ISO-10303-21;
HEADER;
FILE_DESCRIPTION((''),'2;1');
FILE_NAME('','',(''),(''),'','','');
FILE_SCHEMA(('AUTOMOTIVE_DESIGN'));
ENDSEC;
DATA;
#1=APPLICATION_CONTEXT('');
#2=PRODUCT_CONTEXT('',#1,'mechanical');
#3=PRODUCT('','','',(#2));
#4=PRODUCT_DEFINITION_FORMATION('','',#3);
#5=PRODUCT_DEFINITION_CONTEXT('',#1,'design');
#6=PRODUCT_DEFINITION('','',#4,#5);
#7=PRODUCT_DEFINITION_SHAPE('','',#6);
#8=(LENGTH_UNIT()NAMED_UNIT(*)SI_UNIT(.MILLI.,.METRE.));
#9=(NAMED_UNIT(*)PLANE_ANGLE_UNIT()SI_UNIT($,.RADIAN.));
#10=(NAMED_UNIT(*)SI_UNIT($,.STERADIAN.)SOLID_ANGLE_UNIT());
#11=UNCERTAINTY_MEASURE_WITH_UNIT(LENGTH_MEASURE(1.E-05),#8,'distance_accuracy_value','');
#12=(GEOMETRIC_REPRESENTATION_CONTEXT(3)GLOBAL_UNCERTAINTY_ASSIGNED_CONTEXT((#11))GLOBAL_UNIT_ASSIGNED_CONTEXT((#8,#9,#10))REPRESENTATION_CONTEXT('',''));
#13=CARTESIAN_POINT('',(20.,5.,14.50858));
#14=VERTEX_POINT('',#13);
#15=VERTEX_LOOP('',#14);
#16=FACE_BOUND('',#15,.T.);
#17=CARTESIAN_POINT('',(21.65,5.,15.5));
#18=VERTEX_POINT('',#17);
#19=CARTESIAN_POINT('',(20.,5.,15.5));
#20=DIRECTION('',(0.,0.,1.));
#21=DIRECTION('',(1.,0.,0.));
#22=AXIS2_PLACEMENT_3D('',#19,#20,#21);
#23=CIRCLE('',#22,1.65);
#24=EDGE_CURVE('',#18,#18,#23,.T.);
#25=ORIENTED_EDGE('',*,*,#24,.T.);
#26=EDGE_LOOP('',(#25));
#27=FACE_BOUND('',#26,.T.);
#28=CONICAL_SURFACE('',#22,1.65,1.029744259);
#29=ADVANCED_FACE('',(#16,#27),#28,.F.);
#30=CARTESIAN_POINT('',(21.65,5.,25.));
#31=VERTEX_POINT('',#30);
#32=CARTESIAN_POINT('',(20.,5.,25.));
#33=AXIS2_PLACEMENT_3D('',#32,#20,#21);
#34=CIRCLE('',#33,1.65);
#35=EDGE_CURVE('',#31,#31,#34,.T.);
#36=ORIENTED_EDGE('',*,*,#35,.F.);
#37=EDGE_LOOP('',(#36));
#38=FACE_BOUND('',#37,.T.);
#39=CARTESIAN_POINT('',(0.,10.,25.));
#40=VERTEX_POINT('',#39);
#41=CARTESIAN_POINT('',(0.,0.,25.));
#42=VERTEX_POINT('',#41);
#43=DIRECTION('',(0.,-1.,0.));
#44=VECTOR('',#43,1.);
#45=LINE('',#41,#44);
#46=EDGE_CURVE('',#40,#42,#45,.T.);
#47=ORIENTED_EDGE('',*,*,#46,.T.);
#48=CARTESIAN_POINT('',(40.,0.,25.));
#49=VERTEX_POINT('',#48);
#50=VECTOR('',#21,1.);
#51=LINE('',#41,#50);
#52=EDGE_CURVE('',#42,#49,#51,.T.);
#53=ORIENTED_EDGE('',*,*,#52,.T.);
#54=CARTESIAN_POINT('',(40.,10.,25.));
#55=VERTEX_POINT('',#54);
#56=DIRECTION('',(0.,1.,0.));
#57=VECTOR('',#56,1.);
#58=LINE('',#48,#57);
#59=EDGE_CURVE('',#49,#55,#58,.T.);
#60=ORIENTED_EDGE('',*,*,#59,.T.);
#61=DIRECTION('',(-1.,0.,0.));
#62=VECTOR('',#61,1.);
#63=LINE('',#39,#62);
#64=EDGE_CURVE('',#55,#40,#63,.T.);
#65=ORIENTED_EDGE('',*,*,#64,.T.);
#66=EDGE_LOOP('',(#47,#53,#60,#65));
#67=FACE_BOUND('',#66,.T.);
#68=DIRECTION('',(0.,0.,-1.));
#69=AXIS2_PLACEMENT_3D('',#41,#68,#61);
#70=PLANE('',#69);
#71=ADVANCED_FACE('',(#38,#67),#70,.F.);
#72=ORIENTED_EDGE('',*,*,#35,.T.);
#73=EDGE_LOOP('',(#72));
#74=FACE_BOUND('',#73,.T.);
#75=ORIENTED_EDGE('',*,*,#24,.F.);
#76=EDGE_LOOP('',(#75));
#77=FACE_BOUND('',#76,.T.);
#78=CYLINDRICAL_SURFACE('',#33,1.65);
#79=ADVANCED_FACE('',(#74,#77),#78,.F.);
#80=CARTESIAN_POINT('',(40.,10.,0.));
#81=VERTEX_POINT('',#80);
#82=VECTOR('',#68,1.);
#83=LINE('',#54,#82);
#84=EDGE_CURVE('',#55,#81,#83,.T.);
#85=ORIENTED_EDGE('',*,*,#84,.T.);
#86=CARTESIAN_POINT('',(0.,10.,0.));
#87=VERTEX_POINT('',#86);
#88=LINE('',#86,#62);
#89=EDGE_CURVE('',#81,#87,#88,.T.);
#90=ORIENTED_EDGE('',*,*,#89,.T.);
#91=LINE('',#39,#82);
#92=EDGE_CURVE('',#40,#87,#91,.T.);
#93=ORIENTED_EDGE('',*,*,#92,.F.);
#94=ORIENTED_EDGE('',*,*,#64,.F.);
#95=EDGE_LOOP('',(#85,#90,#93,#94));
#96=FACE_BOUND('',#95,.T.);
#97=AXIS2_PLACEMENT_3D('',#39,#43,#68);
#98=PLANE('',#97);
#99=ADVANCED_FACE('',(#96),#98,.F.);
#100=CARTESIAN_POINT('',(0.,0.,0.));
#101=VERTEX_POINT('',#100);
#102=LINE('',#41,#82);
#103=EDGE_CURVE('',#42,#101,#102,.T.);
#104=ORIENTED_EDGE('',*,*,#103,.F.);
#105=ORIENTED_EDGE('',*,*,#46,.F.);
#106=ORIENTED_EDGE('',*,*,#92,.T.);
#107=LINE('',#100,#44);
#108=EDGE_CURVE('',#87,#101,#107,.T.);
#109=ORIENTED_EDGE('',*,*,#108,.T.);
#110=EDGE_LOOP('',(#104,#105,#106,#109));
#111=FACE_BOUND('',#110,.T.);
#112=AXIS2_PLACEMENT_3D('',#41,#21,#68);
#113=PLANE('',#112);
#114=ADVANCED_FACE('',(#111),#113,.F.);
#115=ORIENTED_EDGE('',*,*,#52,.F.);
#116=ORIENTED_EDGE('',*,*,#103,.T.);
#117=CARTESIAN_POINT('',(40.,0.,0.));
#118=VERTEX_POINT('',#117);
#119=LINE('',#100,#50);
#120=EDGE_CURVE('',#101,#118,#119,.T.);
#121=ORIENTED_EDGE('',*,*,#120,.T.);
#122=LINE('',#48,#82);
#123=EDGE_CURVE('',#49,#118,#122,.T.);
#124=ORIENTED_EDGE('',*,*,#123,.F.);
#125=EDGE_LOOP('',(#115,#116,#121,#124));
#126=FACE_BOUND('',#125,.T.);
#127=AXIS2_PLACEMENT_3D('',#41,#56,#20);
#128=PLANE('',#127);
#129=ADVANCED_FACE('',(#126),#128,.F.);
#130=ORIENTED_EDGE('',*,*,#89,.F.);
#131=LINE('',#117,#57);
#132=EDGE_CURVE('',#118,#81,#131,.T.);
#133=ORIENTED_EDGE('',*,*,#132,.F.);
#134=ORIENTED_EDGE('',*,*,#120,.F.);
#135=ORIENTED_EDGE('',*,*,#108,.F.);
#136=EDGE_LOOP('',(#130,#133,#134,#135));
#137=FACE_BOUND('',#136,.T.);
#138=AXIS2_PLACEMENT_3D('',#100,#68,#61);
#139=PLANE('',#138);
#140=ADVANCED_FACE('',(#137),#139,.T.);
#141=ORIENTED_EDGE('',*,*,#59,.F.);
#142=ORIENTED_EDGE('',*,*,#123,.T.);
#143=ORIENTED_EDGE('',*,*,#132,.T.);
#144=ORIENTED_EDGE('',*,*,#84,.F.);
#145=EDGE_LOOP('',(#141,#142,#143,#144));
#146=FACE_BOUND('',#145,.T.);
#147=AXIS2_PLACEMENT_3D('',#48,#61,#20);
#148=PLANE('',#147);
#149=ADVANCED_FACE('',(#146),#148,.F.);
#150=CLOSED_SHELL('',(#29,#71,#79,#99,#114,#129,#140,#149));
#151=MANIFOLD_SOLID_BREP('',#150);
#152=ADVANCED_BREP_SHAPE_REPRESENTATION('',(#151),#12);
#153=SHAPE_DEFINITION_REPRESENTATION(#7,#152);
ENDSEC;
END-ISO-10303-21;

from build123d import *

# Parameters (mm, degrees)
SKETCH1_W             = 40
SKETCH1_H             = 10
BOSS_EXTRUDE1_DEPTH   = 25
M4_TAPPED_HOLE1_D     = 3.3
M4_TAPPED_HOLE1_DEPTH = 9.5
M4_TAPPED_HOLE1_TIP   = 0.991420021


with BuildPart() as part:
    # Sketch1 → Boss-Extrude1 (new body)
    with BuildSketch(Plane.XY):
        with Locations((20, 5)):
            Rectangle(SKETCH1_W, SKETCH1_H)
    extrude(amount=BOSS_EXTRUDE1_DEPTH)

    # M4 Tapped Hole1
    with Locations(Plane(origin=(20, 5, 25), x_dir=(1, 0, 0), z_dir=(0, 0, 1))):
        with Locations((0, 0)):
            Hole(M4_TAPPED_HOLE1_D / 2, depth=M4_TAPPED_HOLE1_DEPTH)
            with Locations((0, 0, -(M4_TAPPED_HOLE1_DEPTH + M4_TAPPED_HOLE1_TIP / 2))):  # 118° drill point
                Cone(0, M4_TAPPED_HOLE1_D / 2, M4_TAPPED_HOLE1_TIP, mode=Mode.SUBTRACT)


solid = part.part
